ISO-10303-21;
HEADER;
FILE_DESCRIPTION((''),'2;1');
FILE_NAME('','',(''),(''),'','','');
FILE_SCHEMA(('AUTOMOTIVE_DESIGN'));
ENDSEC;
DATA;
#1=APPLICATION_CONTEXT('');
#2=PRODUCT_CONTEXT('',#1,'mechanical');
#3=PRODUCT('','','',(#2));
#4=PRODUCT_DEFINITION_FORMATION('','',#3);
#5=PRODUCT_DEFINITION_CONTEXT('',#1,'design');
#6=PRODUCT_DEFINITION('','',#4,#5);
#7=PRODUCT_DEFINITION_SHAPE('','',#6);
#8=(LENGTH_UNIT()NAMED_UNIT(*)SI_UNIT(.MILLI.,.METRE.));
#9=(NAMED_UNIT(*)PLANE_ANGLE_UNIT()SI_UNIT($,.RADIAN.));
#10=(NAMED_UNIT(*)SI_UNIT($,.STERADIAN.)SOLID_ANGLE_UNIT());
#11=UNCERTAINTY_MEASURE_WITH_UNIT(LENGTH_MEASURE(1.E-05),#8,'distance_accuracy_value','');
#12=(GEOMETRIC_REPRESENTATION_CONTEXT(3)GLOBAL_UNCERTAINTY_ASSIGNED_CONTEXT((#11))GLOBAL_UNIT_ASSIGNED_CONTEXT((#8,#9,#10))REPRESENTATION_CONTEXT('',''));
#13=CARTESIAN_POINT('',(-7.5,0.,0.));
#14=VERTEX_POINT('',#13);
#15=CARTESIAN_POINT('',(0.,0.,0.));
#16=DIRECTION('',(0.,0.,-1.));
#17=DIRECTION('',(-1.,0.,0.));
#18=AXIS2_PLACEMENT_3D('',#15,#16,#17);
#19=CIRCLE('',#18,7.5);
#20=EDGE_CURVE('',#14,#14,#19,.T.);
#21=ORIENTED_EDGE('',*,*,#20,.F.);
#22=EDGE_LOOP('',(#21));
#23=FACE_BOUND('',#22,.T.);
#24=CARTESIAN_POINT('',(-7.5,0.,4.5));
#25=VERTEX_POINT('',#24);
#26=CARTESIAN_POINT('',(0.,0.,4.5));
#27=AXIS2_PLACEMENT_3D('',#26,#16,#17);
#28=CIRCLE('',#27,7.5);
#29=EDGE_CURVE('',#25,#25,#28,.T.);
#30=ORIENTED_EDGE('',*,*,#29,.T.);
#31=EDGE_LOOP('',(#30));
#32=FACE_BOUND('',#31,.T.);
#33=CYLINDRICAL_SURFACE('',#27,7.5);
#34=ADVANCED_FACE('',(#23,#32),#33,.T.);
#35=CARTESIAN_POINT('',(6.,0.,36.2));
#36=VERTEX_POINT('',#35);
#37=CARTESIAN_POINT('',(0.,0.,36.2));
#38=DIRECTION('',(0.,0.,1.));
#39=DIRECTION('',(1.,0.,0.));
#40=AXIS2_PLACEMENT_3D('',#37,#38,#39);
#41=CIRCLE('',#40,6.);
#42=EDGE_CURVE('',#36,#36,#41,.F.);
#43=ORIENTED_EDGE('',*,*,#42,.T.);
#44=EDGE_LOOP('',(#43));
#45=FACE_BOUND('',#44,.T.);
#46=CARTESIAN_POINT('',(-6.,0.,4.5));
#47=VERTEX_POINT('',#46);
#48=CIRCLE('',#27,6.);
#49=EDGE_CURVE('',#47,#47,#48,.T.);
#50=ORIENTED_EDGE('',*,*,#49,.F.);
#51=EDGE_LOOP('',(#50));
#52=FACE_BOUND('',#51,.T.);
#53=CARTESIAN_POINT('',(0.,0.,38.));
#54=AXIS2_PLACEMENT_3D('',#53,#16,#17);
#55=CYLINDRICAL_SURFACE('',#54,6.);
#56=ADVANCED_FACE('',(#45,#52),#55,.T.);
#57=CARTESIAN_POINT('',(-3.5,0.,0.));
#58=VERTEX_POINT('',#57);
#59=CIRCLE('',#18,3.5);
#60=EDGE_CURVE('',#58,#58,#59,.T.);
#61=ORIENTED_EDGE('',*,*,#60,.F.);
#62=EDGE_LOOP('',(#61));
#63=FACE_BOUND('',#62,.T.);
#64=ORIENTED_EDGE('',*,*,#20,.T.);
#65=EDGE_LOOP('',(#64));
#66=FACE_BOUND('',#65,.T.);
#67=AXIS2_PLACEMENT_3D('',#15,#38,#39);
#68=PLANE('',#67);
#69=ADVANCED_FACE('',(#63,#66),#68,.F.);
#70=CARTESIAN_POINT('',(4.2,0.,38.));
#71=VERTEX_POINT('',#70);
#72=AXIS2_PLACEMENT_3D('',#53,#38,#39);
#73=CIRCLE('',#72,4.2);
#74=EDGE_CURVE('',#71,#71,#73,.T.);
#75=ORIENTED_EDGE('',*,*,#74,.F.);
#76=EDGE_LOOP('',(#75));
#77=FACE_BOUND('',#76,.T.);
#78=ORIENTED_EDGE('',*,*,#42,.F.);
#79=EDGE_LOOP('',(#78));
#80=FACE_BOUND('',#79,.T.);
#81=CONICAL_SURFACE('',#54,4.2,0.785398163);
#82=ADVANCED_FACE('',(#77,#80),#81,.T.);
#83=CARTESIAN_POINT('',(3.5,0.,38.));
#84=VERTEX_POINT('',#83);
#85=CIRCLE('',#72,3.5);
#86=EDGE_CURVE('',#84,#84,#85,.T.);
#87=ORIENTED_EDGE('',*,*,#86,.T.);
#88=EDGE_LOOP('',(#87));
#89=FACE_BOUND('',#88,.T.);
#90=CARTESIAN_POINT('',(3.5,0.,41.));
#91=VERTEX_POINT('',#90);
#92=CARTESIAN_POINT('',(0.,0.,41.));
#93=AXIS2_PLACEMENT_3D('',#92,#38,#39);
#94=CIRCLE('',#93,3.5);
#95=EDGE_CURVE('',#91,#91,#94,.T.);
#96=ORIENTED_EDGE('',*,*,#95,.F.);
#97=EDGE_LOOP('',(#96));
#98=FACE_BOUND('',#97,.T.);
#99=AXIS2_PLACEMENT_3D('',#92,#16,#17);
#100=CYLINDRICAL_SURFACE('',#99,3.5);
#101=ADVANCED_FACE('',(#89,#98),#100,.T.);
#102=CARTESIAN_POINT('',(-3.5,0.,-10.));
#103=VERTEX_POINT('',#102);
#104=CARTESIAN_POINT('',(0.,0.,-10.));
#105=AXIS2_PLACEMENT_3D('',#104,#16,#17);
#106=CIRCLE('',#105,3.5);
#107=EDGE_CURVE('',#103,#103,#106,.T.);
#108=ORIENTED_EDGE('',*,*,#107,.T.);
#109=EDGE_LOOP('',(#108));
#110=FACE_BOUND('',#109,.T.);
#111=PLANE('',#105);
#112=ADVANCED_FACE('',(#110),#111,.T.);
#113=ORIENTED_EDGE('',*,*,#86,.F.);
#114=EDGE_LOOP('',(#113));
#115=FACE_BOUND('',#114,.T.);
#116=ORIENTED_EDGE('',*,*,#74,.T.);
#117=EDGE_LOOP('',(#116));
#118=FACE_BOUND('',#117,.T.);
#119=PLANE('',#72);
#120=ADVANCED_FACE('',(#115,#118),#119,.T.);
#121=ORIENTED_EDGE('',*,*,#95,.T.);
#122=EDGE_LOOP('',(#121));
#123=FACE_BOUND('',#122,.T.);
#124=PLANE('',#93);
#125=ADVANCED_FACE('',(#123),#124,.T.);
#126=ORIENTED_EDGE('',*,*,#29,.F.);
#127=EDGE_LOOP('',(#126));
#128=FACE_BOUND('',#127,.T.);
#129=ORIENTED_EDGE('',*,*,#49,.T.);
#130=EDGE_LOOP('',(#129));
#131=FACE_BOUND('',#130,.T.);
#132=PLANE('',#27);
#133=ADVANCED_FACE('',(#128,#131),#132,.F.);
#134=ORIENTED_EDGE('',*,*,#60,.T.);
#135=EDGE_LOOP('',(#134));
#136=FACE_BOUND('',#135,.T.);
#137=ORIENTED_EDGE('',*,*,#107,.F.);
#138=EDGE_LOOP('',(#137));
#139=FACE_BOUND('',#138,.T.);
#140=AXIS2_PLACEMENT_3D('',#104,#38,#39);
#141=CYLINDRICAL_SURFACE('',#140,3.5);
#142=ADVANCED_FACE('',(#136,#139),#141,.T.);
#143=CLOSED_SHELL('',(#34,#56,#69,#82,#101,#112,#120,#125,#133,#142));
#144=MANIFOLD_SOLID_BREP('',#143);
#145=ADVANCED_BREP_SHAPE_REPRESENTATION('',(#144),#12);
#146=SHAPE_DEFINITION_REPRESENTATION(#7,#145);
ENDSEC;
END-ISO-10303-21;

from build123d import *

# Parameters (mm, degrees)
SKETCH_1_R      = 6
EXTRUDE_1_DEPTH = 38
SKETCH_2_R      = 3.5
EXTRUDE_2_DEPTH = 3
SKETCH_4_R      = 3.5
EXTRUDE_3_DEPTH = 10
SKETCH_6_R      = 7.5
EXTRUDE_5_DEPTH = 4.5
CHAMFER_1_SIZE  = 1.8


with BuildPart() as part:
    # Эскиз1 → Бобышка-Вытянуть1 (new body)
    with BuildSketch(Plane.XY):
        Circle(SKETCH_1_R)
    extrude(amount=EXTRUDE_1_DEPTH)

    # Эскиз2 → Бобышка-Вытянуть2 (add)
    with BuildSketch(Plane.XY.offset(38)):
        Circle(SKETCH_2_R)
    extrude(amount=EXTRUDE_2_DEPTH)

    # Эскиз4 → Бобышка-Вытянуть3 (add)
    with BuildSketch(Plane(origin=(0, 0, 0), x_dir=(-1, 0, 0), z_dir=(0, 0, -1))):
        Circle(SKETCH_4_R)
    extrude(amount=EXTRUDE_3_DEPTH)

    # Эскиз6 → Бобышка-Вытянуть5 (add)
    with BuildSketch(Plane(origin=(0, 0, 0), x_dir=(-1, 0, 0), z_dir=(0, 0, -1))):
        Circle(SKETCH_6_R)
    extrude(amount=-EXTRUDE_5_DEPTH)

    # Фаска1
    chamfer_1_edges = [part.edges().sort_by_distance(p)[0] for p in [
        (-6, 0, 38),
    ]]
    chamfer(chamfer_1_edges, length=CHAMFER_1_SIZE)


solid = part.part
